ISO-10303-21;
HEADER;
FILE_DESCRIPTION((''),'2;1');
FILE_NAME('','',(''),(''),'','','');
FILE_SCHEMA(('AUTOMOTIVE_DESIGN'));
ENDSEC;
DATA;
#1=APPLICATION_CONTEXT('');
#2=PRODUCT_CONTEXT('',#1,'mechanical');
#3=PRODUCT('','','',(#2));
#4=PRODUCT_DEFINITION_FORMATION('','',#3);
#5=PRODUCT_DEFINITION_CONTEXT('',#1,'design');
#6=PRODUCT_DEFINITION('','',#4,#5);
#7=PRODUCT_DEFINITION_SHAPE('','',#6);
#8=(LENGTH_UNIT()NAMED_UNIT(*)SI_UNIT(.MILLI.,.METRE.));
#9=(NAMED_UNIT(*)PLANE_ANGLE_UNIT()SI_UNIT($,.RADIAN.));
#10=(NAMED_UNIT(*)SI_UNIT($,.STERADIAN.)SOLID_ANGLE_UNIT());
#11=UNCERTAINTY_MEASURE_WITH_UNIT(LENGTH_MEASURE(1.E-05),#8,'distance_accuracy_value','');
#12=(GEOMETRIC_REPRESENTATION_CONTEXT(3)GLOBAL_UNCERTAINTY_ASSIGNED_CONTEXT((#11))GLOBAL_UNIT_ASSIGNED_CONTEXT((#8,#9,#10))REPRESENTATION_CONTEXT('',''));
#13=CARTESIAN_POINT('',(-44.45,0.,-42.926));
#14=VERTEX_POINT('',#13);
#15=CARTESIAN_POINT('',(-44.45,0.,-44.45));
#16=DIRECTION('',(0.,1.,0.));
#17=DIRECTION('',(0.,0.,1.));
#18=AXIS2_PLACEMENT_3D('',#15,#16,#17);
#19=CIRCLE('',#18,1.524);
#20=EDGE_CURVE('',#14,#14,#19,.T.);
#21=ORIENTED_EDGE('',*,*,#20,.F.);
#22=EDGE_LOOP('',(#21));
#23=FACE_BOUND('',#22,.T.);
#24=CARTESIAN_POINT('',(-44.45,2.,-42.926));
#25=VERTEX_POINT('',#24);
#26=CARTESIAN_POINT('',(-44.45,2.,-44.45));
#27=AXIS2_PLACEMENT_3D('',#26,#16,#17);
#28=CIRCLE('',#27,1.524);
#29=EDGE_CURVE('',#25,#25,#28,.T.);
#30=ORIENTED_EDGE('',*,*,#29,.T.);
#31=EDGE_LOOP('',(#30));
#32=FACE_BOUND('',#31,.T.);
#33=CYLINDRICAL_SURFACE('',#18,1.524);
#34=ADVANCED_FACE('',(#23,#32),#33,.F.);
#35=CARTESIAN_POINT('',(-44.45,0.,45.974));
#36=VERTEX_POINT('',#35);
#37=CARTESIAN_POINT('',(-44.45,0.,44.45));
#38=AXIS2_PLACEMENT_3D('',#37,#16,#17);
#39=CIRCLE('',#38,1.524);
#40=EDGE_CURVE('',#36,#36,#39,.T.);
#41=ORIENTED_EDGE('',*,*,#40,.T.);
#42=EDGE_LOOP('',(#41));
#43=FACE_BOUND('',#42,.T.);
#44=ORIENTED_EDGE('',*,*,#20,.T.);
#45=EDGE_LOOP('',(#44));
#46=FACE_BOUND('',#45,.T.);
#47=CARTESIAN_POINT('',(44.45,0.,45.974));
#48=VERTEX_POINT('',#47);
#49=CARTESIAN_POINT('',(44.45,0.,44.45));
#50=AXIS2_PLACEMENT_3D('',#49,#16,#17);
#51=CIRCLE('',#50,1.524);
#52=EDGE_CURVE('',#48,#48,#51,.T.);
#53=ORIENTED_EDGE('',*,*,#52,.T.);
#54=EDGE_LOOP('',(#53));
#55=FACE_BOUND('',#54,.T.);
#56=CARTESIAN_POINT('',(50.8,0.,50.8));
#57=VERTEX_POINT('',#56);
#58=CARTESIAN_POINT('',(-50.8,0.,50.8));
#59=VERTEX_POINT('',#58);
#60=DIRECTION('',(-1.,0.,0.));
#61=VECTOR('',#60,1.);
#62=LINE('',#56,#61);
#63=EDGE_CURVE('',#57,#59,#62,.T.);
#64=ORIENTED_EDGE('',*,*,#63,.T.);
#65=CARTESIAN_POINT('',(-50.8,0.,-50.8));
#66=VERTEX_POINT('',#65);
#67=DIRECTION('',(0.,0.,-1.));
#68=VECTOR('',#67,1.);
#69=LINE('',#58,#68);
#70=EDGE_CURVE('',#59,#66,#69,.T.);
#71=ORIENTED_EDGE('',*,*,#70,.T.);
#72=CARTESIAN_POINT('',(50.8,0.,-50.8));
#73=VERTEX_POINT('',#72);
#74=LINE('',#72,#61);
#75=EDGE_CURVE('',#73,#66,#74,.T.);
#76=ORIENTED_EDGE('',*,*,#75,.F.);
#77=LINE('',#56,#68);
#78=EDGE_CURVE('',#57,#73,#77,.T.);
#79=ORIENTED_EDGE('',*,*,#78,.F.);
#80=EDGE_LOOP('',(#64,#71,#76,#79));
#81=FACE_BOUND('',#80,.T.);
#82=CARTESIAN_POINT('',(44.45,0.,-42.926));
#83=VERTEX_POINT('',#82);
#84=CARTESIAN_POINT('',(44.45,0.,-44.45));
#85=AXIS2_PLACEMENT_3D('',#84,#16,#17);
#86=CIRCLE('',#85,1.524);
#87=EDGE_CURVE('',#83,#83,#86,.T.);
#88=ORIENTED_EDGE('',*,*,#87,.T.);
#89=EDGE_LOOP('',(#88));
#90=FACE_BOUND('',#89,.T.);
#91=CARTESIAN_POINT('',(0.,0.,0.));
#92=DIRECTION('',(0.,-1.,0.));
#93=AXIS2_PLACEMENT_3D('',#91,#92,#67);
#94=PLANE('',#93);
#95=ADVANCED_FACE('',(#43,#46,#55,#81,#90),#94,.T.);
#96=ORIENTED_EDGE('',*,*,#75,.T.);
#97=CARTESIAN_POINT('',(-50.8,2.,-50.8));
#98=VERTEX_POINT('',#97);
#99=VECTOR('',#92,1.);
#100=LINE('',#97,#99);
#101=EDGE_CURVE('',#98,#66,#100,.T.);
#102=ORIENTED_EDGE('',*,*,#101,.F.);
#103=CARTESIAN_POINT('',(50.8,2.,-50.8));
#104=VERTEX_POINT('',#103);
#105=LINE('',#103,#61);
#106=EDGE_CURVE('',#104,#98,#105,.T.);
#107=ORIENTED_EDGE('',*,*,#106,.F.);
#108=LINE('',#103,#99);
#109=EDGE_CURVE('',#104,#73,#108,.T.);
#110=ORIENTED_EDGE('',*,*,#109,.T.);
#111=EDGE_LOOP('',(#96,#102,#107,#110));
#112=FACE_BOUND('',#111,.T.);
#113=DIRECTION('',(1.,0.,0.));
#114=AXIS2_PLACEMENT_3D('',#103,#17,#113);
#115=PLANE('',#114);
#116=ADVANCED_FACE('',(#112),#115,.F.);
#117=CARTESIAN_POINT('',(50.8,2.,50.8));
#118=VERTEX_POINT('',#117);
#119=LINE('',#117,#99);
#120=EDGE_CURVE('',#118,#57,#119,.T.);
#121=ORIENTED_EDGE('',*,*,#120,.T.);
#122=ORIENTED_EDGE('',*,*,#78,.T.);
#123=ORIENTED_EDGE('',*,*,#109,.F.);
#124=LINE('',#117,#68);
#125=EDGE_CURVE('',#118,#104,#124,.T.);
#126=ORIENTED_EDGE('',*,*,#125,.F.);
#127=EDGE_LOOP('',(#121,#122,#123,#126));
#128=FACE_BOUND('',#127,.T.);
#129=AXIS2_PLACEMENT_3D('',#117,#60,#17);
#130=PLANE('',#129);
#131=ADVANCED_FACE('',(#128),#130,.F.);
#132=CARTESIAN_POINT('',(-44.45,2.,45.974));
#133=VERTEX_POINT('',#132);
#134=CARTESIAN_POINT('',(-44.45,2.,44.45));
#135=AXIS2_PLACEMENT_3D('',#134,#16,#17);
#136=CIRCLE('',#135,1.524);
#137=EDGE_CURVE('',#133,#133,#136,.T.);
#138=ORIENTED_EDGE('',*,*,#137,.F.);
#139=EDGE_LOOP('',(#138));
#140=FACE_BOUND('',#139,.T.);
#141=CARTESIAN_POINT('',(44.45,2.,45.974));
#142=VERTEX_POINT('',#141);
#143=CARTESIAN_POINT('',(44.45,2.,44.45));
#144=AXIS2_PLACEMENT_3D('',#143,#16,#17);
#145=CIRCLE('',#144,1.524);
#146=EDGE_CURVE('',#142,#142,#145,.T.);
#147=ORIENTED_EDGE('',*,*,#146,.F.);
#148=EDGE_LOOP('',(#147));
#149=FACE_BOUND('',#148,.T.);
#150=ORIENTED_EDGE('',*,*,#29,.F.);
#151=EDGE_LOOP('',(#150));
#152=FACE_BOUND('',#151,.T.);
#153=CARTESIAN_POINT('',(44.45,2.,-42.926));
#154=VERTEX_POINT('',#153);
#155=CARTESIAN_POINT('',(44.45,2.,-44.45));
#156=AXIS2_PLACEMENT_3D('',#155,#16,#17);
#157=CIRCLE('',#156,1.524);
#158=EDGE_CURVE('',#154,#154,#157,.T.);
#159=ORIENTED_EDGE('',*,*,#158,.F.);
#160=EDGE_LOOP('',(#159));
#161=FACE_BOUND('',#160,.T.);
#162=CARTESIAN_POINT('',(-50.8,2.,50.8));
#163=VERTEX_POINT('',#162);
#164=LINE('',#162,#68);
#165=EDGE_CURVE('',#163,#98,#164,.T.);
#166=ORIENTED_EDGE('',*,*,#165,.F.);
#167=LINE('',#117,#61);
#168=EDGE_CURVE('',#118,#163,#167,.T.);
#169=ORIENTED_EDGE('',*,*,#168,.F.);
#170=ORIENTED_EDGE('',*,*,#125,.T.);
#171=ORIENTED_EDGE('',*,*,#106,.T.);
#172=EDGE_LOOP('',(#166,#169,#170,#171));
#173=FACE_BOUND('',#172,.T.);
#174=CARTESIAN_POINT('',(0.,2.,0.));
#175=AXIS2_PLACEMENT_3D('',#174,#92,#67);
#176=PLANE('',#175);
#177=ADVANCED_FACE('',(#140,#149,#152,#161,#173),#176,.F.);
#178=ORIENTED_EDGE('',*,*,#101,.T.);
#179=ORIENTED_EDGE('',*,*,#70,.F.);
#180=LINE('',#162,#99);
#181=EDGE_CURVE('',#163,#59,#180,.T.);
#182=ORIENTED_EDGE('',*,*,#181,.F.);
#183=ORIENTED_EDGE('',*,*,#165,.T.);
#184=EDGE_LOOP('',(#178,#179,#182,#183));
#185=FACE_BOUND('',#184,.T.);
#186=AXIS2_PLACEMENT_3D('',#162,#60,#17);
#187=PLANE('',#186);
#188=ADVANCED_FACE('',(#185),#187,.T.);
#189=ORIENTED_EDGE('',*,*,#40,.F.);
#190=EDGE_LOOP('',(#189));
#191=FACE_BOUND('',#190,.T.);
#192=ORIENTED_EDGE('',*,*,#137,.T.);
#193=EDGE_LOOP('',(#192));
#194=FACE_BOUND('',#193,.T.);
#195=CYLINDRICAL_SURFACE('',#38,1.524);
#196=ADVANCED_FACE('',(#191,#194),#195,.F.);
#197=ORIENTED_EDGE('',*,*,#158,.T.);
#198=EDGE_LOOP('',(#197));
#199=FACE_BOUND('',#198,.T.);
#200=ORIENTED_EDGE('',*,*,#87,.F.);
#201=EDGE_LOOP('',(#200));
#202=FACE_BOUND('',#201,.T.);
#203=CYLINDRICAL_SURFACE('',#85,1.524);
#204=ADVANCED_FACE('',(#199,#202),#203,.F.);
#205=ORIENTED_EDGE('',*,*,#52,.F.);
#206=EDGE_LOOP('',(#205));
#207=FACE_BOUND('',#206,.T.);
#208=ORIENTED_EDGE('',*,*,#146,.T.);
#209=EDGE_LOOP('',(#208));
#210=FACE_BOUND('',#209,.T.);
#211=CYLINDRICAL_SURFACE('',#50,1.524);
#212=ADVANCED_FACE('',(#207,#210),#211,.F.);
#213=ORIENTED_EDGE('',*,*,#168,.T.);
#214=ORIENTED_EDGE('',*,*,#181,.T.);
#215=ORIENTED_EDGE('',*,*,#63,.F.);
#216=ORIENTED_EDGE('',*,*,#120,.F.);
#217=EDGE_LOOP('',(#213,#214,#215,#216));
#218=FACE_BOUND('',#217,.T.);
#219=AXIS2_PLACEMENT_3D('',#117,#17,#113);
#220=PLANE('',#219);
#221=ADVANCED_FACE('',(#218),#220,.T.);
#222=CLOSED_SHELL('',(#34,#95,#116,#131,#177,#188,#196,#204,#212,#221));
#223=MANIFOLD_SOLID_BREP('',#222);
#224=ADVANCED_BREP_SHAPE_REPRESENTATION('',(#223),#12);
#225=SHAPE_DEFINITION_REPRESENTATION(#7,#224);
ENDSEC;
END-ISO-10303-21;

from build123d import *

# Parameters (mm, degrees)
SKETCH1_W           = 101.6
SKETCH1_H           = 101.6
BOSS_EXTRUDE1_DEPTH = 2
SKETCH3_R           = 1.524
CUT_EXTRUDE1_DEPTH  = 72.869882427


with BuildPart() as part:
    # Sketch1 → Boss-Extrude1 (new body)
    with BuildSketch(Plane(origin=(0, 0, 0), x_dir=(1, 0, 0), z_dir=(0, 1, 0))):
        Rectangle(SKETCH1_W, SKETCH1_H)
    extrude(amount=BOSS_EXTRUDE1_DEPTH)

    # Sketch3 → Cut-Extrude1 (cut, through all)
    with BuildSketch(Plane(origin=(0, 2, 0), x_dir=(1, 0, 0), z_dir=(0, 1, 0))):
        with Locations(Location((-44.45, -44.45, 0), (0, 0, 270))):
            Circle(SKETCH3_R)
        with Locations(Location((44.45, -44.45, 0), (0, 0, 270))):
            Circle(SKETCH3_R)
        with Locations(Location((44.45, 44.45, 0), (0, 0, 270))):
            Circle(SKETCH3_R)
        with Locations(Location((-44.45, 44.45, 0), (0, 0, 270))):
            Circle(SKETCH3_R)
    extrude(amount=-CUT_EXTRUDE1_DEPTH, mode=Mode.SUBTRACT)


solid = part.part
